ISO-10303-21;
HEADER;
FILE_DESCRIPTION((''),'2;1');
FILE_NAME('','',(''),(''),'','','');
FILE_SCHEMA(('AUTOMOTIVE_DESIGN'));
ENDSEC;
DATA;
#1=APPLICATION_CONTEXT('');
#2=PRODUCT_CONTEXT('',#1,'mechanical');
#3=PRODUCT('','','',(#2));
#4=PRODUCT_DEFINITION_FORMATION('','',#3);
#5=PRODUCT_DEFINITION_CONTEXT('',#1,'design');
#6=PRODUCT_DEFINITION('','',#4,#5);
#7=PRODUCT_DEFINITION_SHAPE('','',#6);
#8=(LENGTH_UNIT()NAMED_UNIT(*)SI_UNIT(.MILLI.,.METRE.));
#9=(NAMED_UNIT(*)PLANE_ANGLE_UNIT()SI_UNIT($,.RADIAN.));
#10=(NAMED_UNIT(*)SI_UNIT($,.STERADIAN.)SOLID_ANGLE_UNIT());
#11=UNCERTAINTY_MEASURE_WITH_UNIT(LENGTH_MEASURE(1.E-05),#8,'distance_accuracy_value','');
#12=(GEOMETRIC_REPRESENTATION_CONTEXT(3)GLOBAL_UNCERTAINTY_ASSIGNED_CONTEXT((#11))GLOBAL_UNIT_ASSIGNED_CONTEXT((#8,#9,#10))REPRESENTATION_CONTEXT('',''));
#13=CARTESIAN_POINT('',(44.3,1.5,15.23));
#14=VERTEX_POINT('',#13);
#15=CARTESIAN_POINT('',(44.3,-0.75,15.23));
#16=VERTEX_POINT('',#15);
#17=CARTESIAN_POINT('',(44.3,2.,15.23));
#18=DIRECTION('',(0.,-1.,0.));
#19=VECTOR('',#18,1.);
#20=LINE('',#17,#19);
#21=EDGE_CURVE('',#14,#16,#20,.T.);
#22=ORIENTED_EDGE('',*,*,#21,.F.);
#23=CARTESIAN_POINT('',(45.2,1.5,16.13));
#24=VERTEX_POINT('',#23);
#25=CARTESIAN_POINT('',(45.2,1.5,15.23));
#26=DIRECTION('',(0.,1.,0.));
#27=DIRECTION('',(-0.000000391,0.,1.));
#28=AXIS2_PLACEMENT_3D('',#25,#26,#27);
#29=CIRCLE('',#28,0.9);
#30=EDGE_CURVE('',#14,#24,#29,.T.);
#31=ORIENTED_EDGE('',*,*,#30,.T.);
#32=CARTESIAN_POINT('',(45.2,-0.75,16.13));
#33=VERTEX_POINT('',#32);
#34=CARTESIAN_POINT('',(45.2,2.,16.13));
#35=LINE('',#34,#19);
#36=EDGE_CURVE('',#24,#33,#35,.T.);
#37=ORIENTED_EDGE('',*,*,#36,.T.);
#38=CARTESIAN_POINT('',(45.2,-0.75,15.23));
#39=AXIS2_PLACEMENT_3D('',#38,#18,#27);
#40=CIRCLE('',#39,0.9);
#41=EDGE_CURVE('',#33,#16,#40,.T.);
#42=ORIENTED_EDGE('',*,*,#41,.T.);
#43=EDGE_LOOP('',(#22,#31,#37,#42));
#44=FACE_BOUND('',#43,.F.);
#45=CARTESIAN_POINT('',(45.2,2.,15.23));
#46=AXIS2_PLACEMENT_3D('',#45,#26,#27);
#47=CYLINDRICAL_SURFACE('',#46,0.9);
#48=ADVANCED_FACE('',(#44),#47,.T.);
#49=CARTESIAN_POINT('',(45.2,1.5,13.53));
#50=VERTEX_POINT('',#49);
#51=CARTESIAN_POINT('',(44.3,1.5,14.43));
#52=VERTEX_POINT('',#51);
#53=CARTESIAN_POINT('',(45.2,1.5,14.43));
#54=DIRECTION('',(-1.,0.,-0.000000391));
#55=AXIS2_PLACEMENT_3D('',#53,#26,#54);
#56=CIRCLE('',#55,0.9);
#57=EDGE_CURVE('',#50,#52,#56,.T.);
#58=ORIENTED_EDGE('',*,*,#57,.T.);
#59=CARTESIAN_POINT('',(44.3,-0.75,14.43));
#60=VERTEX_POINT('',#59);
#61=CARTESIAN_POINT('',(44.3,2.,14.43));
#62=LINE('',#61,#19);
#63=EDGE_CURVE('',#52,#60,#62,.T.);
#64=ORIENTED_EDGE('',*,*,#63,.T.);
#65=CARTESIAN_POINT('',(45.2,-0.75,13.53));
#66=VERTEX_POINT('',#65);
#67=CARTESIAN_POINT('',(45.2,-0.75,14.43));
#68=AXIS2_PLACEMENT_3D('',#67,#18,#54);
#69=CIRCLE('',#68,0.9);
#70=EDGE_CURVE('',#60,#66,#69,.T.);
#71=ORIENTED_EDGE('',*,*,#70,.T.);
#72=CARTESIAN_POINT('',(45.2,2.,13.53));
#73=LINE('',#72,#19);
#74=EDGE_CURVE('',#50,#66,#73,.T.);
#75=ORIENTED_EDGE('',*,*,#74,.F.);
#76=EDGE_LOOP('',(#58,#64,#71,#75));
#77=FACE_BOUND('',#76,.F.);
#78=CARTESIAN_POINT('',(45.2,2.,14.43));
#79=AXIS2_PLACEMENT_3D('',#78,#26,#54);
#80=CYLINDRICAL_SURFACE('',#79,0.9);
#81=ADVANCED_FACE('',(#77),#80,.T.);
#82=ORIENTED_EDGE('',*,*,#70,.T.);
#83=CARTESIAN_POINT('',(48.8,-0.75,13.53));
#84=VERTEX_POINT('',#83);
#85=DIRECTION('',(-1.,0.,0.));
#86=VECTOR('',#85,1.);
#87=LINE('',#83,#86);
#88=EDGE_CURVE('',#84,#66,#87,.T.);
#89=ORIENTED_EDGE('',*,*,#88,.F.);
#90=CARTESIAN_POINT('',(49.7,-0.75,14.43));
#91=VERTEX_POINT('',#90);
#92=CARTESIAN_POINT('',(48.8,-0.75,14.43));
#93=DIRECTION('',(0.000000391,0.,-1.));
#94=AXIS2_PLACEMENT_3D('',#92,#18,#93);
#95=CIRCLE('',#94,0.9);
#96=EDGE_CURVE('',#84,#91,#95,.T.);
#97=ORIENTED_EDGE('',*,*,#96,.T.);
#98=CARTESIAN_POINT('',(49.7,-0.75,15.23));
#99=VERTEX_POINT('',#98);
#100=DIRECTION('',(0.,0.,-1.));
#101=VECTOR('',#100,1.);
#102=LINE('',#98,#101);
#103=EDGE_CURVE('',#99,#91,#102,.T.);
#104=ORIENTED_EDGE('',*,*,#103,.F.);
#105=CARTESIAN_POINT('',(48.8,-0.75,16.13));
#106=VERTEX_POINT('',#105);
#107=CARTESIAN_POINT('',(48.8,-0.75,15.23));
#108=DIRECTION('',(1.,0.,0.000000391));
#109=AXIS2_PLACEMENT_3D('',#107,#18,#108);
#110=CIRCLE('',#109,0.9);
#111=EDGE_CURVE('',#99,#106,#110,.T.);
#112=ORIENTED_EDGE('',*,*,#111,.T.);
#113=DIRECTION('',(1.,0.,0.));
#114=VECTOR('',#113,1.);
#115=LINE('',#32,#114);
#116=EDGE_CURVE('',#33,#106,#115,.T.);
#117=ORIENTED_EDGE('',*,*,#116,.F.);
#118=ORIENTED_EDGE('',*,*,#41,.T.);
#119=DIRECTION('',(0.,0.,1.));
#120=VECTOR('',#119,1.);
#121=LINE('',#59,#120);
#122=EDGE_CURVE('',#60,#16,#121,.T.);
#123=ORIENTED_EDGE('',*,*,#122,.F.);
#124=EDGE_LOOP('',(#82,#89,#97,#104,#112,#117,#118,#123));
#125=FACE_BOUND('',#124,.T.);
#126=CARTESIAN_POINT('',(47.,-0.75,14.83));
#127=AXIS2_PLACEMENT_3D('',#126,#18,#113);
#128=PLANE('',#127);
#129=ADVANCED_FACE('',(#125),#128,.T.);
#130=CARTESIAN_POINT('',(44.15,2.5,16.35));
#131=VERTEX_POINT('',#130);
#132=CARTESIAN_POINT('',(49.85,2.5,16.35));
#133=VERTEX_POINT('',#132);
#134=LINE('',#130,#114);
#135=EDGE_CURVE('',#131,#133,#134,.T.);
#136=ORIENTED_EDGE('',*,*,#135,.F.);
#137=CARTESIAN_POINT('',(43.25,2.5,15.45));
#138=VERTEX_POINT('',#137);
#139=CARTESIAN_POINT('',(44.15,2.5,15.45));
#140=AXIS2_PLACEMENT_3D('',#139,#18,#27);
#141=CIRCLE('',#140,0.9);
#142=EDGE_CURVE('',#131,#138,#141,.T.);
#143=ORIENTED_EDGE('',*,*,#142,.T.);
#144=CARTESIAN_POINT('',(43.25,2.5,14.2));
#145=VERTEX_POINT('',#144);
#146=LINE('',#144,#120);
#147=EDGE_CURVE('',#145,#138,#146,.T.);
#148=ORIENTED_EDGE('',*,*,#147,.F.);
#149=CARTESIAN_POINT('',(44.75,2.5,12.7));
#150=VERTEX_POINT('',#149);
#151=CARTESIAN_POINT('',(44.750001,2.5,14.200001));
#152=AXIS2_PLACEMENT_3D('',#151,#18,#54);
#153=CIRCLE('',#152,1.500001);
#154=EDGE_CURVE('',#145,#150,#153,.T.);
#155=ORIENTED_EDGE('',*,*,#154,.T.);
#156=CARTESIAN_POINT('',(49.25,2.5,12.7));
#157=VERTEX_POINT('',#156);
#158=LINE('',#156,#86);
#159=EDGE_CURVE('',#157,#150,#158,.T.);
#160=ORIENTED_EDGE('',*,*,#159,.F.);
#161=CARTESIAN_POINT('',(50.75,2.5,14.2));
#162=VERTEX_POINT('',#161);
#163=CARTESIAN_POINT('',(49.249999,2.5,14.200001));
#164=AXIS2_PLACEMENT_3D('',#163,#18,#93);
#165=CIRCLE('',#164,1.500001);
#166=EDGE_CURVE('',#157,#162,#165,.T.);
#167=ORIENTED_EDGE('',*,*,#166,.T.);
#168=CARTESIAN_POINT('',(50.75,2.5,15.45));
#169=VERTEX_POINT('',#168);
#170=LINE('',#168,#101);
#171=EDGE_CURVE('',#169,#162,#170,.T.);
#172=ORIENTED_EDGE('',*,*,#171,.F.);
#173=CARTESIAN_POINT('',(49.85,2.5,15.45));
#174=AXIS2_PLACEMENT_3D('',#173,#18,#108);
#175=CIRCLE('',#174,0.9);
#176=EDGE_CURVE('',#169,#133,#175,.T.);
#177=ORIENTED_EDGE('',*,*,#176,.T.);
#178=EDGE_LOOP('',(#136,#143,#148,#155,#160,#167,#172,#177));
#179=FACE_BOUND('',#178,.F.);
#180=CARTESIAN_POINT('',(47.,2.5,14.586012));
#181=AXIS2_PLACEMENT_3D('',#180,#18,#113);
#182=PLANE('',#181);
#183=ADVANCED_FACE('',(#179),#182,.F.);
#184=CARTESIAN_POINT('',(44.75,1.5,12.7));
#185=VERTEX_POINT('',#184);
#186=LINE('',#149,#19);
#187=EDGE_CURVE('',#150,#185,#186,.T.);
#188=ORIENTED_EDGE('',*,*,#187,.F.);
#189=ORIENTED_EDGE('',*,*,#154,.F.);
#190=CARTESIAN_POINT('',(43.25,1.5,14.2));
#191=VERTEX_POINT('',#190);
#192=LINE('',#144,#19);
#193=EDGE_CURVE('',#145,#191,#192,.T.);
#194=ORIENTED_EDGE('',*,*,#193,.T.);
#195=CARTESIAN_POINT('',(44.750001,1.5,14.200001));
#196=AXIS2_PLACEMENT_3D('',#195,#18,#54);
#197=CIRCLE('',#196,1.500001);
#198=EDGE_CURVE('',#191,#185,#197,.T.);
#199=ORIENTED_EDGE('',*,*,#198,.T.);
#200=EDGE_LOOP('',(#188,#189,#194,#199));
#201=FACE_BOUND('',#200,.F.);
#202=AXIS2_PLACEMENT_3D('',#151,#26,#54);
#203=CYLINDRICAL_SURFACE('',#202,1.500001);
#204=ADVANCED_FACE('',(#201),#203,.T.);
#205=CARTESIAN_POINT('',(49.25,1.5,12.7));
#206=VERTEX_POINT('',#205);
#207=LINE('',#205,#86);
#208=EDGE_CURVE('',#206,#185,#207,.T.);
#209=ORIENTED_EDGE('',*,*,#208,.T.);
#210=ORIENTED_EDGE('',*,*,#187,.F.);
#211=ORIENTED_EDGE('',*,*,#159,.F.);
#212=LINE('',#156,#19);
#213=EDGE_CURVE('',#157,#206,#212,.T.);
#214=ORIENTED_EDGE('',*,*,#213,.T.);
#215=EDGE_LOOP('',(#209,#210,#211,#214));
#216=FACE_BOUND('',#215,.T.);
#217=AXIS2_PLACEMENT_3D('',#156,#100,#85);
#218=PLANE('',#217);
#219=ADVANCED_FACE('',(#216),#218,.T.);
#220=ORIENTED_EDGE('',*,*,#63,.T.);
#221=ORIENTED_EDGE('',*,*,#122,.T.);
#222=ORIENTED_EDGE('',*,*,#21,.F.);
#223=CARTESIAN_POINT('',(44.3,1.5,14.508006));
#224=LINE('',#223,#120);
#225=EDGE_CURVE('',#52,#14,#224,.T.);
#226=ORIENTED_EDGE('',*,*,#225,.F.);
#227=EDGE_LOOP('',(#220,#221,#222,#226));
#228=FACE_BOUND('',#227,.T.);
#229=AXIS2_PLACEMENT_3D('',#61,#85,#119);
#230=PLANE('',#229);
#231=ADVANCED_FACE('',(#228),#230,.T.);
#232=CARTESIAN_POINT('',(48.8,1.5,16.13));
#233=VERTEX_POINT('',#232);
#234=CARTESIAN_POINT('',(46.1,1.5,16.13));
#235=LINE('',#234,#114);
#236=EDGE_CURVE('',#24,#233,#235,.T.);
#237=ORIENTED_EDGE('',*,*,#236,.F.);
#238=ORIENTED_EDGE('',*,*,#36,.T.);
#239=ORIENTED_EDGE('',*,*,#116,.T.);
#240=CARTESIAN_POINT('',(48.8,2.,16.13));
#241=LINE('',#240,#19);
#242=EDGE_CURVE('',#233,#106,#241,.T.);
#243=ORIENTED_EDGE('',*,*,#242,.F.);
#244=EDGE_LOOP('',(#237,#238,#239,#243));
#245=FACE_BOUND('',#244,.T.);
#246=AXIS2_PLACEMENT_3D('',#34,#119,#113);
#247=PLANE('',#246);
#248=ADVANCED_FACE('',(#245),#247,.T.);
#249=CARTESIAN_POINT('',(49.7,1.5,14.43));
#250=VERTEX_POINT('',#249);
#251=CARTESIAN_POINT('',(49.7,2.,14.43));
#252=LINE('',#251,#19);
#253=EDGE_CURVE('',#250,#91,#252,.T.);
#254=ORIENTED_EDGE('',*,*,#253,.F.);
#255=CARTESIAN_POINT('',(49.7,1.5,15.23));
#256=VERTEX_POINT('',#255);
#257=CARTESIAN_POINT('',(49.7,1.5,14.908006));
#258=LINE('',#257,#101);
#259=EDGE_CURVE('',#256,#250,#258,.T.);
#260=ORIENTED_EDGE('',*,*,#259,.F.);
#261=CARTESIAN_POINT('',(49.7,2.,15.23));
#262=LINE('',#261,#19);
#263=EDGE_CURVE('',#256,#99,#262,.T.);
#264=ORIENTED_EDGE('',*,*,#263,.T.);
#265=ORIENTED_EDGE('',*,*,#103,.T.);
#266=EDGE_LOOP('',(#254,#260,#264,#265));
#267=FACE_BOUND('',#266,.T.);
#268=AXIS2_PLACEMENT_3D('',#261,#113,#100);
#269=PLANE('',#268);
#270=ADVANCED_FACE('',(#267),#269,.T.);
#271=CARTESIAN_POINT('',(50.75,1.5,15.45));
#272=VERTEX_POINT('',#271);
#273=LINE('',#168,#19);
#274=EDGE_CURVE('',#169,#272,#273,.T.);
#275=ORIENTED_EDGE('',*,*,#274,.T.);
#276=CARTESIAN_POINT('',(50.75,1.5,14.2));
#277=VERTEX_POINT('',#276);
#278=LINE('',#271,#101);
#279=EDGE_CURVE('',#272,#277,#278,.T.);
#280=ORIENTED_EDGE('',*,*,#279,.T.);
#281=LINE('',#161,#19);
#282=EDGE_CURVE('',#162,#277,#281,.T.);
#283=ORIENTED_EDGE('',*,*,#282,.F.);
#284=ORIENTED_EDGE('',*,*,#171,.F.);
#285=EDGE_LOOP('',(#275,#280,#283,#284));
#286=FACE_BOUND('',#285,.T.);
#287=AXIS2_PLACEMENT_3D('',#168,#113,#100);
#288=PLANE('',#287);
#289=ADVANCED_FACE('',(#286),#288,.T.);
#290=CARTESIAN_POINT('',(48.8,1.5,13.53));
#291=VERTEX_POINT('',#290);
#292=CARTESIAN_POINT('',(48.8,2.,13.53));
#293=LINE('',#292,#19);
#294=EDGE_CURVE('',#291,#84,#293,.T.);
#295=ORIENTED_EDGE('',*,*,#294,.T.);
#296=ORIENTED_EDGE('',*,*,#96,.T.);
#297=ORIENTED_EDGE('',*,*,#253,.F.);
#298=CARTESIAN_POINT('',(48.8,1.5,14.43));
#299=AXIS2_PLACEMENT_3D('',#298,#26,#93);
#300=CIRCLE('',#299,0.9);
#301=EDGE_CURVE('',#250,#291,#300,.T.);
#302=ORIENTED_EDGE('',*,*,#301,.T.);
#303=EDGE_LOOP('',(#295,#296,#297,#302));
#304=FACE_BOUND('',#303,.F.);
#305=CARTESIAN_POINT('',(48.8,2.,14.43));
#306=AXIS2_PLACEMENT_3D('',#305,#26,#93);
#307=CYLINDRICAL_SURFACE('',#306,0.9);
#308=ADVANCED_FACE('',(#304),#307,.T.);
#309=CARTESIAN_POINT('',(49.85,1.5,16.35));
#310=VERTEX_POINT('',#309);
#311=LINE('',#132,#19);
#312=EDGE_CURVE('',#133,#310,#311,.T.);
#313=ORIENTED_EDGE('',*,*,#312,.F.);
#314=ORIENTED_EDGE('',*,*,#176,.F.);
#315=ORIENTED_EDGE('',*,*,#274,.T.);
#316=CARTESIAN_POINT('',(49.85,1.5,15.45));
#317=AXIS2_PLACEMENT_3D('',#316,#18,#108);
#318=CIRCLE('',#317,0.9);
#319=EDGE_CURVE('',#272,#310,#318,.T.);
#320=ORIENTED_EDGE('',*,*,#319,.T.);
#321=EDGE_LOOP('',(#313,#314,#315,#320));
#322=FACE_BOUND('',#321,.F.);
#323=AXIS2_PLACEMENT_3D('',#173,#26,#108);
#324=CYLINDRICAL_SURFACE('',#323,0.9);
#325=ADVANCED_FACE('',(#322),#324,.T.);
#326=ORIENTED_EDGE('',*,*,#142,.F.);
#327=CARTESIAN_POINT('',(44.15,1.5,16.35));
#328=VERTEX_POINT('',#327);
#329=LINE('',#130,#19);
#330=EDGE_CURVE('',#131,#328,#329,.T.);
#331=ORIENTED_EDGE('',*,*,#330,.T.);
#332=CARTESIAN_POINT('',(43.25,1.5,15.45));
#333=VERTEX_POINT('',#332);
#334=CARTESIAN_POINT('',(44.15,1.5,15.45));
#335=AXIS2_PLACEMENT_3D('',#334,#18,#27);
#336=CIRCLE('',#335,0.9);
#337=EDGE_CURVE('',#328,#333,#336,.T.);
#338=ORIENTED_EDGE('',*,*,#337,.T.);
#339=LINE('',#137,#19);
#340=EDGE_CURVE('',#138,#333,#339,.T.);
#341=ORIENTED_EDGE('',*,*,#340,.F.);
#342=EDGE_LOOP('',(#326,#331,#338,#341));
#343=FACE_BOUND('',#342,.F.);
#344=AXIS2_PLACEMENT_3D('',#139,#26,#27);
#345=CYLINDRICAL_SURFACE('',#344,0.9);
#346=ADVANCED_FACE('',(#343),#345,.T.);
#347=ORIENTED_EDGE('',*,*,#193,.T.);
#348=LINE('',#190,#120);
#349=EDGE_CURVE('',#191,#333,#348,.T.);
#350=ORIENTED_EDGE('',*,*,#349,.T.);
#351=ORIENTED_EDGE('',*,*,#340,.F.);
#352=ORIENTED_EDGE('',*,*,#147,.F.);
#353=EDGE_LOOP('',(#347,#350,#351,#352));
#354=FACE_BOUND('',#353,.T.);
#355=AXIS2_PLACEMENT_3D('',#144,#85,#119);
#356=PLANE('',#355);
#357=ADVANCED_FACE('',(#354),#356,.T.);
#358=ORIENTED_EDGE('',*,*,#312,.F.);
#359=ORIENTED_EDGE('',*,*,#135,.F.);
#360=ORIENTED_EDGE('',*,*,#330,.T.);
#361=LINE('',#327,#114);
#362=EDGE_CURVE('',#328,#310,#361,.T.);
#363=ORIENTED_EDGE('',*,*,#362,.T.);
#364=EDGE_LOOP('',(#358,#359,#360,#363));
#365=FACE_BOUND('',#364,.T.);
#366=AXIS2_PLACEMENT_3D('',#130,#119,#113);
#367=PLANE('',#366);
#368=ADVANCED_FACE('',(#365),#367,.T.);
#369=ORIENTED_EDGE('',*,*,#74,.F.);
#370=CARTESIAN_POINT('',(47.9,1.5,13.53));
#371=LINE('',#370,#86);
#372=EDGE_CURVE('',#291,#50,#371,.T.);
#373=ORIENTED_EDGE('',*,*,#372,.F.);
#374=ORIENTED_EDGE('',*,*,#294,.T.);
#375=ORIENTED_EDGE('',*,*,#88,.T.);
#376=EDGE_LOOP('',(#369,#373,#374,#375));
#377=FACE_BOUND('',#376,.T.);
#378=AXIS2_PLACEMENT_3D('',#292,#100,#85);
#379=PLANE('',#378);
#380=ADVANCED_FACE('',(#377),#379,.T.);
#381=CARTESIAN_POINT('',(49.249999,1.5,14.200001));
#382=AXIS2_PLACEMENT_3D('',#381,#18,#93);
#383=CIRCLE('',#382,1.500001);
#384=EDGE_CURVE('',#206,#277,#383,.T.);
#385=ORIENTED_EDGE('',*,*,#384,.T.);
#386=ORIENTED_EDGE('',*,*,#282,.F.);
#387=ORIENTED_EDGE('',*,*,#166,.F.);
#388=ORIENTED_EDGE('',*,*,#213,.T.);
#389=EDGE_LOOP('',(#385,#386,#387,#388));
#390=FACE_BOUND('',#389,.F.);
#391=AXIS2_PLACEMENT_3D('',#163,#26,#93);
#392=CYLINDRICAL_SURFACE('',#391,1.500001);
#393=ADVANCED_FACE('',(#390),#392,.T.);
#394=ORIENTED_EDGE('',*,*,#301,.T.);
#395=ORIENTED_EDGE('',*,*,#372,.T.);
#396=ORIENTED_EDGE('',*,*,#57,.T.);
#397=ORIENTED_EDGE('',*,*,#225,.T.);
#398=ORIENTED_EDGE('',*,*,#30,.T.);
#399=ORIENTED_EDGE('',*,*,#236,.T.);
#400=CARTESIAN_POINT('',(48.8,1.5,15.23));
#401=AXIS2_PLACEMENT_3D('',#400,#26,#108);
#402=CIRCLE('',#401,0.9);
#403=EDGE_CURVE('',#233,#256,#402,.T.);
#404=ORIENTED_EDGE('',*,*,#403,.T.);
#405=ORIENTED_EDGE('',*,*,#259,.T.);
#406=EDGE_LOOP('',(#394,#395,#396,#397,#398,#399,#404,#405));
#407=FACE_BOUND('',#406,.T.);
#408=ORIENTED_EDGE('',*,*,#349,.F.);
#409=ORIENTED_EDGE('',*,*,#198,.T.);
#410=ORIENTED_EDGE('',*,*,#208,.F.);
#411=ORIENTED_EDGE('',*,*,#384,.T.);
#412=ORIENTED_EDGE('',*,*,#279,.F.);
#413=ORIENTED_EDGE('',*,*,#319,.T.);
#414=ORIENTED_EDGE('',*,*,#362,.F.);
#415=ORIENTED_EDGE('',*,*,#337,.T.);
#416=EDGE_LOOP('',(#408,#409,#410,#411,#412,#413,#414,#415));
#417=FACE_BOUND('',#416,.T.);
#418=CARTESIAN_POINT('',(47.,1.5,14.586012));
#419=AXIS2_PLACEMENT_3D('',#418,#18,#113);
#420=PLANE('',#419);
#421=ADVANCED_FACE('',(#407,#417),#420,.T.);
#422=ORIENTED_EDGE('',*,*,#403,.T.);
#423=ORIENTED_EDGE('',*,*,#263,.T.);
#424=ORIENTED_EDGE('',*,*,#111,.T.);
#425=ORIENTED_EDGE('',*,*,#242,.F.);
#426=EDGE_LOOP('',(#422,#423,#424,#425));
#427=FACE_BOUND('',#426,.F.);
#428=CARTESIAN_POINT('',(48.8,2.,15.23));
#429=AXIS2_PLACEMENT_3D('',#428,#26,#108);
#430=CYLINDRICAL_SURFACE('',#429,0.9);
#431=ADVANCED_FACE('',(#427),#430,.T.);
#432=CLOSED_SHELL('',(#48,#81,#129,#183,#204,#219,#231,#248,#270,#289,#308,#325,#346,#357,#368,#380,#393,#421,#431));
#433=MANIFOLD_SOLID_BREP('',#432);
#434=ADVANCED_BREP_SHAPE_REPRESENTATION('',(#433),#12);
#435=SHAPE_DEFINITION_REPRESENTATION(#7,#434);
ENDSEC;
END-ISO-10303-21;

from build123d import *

# Parameters (mm, degrees)
EXTRUDE031_DEPTH = 1
EXTRUDE030_DEPTH = 2.75


with BuildPart() as extrude031:
    # Sketch034 → Extrude031 (new body)
    with BuildSketch(Plane.XZ):
        with BuildLine():
            ThreePointArc((11.7, 16.35), (11.063604, 16.086396), (10.8, 15.45))
            Line((10.8, 14.2), (10.8, 15.45))
            ThreePointArc((10.8, 14.2), (11.23934, 13.13934), (12.3, 12.7))
            Line((16.8, 12.7), (12.3, 12.7))
            ThreePointArc((16.8, 12.7), (17.86066, 13.13934), (18.3, 14.2))
            Line((18.3, 15.45), (18.3, 14.2))
            ThreePointArc((18.3, 15.45), (18.036396, 16.086396), (17.4, 16.35))
            Line((11.7, 16.35), (17.4, 16.35))
        make_face()
    extrude(amount=EXTRUDE031_DEPTH)


with BuildPart() as extrude031_1:
    # Extrude031 placement: moved
    add(extrude031.part.moved(Location((0, 2.5, 0))))


with BuildPart() as button002:
    # Sketch033 → Extrude030 (new body)
    with BuildSketch(Plane.XZ):
        with BuildLine():
            ThreePointArc((12.75, 16.13), (12.113604, 15.866396), (11.85, 15.23))
            Line((11.85, 14.43), (11.85, 15.23))
            ThreePointArc((11.85, 14.43), (12.113604, 13.793604), (12.75, 13.53))
            Line((16.35, 13.53), (12.75, 13.53))
            ThreePointArc((16.35, 13.53), (16.986396, 13.793604), (17.25, 14.43))
            Line((17.25, 15.23), (17.25, 14.43))
            ThreePointArc((17.25, 15.23), (16.986396, 15.866396), (16.35, 16.13))
            Line((12.75, 16.13), (16.35, 16.13))
        make_face()
    extrude(amount=EXTRUDE030_DEPTH)


with BuildPart() as button002_1:
    # Extrude030 placement: moved
    add(button002.part.moved(Location((0, 2, 0))))

    # Fusion033: union Extrude031
    add(extrude031_1.part)


with BuildPart() as button002_2:
    # Fusion033 placement: moved
    add(button002_1.part.moved(Location((32.45, 0, 0))))


solid = button002_2.part
